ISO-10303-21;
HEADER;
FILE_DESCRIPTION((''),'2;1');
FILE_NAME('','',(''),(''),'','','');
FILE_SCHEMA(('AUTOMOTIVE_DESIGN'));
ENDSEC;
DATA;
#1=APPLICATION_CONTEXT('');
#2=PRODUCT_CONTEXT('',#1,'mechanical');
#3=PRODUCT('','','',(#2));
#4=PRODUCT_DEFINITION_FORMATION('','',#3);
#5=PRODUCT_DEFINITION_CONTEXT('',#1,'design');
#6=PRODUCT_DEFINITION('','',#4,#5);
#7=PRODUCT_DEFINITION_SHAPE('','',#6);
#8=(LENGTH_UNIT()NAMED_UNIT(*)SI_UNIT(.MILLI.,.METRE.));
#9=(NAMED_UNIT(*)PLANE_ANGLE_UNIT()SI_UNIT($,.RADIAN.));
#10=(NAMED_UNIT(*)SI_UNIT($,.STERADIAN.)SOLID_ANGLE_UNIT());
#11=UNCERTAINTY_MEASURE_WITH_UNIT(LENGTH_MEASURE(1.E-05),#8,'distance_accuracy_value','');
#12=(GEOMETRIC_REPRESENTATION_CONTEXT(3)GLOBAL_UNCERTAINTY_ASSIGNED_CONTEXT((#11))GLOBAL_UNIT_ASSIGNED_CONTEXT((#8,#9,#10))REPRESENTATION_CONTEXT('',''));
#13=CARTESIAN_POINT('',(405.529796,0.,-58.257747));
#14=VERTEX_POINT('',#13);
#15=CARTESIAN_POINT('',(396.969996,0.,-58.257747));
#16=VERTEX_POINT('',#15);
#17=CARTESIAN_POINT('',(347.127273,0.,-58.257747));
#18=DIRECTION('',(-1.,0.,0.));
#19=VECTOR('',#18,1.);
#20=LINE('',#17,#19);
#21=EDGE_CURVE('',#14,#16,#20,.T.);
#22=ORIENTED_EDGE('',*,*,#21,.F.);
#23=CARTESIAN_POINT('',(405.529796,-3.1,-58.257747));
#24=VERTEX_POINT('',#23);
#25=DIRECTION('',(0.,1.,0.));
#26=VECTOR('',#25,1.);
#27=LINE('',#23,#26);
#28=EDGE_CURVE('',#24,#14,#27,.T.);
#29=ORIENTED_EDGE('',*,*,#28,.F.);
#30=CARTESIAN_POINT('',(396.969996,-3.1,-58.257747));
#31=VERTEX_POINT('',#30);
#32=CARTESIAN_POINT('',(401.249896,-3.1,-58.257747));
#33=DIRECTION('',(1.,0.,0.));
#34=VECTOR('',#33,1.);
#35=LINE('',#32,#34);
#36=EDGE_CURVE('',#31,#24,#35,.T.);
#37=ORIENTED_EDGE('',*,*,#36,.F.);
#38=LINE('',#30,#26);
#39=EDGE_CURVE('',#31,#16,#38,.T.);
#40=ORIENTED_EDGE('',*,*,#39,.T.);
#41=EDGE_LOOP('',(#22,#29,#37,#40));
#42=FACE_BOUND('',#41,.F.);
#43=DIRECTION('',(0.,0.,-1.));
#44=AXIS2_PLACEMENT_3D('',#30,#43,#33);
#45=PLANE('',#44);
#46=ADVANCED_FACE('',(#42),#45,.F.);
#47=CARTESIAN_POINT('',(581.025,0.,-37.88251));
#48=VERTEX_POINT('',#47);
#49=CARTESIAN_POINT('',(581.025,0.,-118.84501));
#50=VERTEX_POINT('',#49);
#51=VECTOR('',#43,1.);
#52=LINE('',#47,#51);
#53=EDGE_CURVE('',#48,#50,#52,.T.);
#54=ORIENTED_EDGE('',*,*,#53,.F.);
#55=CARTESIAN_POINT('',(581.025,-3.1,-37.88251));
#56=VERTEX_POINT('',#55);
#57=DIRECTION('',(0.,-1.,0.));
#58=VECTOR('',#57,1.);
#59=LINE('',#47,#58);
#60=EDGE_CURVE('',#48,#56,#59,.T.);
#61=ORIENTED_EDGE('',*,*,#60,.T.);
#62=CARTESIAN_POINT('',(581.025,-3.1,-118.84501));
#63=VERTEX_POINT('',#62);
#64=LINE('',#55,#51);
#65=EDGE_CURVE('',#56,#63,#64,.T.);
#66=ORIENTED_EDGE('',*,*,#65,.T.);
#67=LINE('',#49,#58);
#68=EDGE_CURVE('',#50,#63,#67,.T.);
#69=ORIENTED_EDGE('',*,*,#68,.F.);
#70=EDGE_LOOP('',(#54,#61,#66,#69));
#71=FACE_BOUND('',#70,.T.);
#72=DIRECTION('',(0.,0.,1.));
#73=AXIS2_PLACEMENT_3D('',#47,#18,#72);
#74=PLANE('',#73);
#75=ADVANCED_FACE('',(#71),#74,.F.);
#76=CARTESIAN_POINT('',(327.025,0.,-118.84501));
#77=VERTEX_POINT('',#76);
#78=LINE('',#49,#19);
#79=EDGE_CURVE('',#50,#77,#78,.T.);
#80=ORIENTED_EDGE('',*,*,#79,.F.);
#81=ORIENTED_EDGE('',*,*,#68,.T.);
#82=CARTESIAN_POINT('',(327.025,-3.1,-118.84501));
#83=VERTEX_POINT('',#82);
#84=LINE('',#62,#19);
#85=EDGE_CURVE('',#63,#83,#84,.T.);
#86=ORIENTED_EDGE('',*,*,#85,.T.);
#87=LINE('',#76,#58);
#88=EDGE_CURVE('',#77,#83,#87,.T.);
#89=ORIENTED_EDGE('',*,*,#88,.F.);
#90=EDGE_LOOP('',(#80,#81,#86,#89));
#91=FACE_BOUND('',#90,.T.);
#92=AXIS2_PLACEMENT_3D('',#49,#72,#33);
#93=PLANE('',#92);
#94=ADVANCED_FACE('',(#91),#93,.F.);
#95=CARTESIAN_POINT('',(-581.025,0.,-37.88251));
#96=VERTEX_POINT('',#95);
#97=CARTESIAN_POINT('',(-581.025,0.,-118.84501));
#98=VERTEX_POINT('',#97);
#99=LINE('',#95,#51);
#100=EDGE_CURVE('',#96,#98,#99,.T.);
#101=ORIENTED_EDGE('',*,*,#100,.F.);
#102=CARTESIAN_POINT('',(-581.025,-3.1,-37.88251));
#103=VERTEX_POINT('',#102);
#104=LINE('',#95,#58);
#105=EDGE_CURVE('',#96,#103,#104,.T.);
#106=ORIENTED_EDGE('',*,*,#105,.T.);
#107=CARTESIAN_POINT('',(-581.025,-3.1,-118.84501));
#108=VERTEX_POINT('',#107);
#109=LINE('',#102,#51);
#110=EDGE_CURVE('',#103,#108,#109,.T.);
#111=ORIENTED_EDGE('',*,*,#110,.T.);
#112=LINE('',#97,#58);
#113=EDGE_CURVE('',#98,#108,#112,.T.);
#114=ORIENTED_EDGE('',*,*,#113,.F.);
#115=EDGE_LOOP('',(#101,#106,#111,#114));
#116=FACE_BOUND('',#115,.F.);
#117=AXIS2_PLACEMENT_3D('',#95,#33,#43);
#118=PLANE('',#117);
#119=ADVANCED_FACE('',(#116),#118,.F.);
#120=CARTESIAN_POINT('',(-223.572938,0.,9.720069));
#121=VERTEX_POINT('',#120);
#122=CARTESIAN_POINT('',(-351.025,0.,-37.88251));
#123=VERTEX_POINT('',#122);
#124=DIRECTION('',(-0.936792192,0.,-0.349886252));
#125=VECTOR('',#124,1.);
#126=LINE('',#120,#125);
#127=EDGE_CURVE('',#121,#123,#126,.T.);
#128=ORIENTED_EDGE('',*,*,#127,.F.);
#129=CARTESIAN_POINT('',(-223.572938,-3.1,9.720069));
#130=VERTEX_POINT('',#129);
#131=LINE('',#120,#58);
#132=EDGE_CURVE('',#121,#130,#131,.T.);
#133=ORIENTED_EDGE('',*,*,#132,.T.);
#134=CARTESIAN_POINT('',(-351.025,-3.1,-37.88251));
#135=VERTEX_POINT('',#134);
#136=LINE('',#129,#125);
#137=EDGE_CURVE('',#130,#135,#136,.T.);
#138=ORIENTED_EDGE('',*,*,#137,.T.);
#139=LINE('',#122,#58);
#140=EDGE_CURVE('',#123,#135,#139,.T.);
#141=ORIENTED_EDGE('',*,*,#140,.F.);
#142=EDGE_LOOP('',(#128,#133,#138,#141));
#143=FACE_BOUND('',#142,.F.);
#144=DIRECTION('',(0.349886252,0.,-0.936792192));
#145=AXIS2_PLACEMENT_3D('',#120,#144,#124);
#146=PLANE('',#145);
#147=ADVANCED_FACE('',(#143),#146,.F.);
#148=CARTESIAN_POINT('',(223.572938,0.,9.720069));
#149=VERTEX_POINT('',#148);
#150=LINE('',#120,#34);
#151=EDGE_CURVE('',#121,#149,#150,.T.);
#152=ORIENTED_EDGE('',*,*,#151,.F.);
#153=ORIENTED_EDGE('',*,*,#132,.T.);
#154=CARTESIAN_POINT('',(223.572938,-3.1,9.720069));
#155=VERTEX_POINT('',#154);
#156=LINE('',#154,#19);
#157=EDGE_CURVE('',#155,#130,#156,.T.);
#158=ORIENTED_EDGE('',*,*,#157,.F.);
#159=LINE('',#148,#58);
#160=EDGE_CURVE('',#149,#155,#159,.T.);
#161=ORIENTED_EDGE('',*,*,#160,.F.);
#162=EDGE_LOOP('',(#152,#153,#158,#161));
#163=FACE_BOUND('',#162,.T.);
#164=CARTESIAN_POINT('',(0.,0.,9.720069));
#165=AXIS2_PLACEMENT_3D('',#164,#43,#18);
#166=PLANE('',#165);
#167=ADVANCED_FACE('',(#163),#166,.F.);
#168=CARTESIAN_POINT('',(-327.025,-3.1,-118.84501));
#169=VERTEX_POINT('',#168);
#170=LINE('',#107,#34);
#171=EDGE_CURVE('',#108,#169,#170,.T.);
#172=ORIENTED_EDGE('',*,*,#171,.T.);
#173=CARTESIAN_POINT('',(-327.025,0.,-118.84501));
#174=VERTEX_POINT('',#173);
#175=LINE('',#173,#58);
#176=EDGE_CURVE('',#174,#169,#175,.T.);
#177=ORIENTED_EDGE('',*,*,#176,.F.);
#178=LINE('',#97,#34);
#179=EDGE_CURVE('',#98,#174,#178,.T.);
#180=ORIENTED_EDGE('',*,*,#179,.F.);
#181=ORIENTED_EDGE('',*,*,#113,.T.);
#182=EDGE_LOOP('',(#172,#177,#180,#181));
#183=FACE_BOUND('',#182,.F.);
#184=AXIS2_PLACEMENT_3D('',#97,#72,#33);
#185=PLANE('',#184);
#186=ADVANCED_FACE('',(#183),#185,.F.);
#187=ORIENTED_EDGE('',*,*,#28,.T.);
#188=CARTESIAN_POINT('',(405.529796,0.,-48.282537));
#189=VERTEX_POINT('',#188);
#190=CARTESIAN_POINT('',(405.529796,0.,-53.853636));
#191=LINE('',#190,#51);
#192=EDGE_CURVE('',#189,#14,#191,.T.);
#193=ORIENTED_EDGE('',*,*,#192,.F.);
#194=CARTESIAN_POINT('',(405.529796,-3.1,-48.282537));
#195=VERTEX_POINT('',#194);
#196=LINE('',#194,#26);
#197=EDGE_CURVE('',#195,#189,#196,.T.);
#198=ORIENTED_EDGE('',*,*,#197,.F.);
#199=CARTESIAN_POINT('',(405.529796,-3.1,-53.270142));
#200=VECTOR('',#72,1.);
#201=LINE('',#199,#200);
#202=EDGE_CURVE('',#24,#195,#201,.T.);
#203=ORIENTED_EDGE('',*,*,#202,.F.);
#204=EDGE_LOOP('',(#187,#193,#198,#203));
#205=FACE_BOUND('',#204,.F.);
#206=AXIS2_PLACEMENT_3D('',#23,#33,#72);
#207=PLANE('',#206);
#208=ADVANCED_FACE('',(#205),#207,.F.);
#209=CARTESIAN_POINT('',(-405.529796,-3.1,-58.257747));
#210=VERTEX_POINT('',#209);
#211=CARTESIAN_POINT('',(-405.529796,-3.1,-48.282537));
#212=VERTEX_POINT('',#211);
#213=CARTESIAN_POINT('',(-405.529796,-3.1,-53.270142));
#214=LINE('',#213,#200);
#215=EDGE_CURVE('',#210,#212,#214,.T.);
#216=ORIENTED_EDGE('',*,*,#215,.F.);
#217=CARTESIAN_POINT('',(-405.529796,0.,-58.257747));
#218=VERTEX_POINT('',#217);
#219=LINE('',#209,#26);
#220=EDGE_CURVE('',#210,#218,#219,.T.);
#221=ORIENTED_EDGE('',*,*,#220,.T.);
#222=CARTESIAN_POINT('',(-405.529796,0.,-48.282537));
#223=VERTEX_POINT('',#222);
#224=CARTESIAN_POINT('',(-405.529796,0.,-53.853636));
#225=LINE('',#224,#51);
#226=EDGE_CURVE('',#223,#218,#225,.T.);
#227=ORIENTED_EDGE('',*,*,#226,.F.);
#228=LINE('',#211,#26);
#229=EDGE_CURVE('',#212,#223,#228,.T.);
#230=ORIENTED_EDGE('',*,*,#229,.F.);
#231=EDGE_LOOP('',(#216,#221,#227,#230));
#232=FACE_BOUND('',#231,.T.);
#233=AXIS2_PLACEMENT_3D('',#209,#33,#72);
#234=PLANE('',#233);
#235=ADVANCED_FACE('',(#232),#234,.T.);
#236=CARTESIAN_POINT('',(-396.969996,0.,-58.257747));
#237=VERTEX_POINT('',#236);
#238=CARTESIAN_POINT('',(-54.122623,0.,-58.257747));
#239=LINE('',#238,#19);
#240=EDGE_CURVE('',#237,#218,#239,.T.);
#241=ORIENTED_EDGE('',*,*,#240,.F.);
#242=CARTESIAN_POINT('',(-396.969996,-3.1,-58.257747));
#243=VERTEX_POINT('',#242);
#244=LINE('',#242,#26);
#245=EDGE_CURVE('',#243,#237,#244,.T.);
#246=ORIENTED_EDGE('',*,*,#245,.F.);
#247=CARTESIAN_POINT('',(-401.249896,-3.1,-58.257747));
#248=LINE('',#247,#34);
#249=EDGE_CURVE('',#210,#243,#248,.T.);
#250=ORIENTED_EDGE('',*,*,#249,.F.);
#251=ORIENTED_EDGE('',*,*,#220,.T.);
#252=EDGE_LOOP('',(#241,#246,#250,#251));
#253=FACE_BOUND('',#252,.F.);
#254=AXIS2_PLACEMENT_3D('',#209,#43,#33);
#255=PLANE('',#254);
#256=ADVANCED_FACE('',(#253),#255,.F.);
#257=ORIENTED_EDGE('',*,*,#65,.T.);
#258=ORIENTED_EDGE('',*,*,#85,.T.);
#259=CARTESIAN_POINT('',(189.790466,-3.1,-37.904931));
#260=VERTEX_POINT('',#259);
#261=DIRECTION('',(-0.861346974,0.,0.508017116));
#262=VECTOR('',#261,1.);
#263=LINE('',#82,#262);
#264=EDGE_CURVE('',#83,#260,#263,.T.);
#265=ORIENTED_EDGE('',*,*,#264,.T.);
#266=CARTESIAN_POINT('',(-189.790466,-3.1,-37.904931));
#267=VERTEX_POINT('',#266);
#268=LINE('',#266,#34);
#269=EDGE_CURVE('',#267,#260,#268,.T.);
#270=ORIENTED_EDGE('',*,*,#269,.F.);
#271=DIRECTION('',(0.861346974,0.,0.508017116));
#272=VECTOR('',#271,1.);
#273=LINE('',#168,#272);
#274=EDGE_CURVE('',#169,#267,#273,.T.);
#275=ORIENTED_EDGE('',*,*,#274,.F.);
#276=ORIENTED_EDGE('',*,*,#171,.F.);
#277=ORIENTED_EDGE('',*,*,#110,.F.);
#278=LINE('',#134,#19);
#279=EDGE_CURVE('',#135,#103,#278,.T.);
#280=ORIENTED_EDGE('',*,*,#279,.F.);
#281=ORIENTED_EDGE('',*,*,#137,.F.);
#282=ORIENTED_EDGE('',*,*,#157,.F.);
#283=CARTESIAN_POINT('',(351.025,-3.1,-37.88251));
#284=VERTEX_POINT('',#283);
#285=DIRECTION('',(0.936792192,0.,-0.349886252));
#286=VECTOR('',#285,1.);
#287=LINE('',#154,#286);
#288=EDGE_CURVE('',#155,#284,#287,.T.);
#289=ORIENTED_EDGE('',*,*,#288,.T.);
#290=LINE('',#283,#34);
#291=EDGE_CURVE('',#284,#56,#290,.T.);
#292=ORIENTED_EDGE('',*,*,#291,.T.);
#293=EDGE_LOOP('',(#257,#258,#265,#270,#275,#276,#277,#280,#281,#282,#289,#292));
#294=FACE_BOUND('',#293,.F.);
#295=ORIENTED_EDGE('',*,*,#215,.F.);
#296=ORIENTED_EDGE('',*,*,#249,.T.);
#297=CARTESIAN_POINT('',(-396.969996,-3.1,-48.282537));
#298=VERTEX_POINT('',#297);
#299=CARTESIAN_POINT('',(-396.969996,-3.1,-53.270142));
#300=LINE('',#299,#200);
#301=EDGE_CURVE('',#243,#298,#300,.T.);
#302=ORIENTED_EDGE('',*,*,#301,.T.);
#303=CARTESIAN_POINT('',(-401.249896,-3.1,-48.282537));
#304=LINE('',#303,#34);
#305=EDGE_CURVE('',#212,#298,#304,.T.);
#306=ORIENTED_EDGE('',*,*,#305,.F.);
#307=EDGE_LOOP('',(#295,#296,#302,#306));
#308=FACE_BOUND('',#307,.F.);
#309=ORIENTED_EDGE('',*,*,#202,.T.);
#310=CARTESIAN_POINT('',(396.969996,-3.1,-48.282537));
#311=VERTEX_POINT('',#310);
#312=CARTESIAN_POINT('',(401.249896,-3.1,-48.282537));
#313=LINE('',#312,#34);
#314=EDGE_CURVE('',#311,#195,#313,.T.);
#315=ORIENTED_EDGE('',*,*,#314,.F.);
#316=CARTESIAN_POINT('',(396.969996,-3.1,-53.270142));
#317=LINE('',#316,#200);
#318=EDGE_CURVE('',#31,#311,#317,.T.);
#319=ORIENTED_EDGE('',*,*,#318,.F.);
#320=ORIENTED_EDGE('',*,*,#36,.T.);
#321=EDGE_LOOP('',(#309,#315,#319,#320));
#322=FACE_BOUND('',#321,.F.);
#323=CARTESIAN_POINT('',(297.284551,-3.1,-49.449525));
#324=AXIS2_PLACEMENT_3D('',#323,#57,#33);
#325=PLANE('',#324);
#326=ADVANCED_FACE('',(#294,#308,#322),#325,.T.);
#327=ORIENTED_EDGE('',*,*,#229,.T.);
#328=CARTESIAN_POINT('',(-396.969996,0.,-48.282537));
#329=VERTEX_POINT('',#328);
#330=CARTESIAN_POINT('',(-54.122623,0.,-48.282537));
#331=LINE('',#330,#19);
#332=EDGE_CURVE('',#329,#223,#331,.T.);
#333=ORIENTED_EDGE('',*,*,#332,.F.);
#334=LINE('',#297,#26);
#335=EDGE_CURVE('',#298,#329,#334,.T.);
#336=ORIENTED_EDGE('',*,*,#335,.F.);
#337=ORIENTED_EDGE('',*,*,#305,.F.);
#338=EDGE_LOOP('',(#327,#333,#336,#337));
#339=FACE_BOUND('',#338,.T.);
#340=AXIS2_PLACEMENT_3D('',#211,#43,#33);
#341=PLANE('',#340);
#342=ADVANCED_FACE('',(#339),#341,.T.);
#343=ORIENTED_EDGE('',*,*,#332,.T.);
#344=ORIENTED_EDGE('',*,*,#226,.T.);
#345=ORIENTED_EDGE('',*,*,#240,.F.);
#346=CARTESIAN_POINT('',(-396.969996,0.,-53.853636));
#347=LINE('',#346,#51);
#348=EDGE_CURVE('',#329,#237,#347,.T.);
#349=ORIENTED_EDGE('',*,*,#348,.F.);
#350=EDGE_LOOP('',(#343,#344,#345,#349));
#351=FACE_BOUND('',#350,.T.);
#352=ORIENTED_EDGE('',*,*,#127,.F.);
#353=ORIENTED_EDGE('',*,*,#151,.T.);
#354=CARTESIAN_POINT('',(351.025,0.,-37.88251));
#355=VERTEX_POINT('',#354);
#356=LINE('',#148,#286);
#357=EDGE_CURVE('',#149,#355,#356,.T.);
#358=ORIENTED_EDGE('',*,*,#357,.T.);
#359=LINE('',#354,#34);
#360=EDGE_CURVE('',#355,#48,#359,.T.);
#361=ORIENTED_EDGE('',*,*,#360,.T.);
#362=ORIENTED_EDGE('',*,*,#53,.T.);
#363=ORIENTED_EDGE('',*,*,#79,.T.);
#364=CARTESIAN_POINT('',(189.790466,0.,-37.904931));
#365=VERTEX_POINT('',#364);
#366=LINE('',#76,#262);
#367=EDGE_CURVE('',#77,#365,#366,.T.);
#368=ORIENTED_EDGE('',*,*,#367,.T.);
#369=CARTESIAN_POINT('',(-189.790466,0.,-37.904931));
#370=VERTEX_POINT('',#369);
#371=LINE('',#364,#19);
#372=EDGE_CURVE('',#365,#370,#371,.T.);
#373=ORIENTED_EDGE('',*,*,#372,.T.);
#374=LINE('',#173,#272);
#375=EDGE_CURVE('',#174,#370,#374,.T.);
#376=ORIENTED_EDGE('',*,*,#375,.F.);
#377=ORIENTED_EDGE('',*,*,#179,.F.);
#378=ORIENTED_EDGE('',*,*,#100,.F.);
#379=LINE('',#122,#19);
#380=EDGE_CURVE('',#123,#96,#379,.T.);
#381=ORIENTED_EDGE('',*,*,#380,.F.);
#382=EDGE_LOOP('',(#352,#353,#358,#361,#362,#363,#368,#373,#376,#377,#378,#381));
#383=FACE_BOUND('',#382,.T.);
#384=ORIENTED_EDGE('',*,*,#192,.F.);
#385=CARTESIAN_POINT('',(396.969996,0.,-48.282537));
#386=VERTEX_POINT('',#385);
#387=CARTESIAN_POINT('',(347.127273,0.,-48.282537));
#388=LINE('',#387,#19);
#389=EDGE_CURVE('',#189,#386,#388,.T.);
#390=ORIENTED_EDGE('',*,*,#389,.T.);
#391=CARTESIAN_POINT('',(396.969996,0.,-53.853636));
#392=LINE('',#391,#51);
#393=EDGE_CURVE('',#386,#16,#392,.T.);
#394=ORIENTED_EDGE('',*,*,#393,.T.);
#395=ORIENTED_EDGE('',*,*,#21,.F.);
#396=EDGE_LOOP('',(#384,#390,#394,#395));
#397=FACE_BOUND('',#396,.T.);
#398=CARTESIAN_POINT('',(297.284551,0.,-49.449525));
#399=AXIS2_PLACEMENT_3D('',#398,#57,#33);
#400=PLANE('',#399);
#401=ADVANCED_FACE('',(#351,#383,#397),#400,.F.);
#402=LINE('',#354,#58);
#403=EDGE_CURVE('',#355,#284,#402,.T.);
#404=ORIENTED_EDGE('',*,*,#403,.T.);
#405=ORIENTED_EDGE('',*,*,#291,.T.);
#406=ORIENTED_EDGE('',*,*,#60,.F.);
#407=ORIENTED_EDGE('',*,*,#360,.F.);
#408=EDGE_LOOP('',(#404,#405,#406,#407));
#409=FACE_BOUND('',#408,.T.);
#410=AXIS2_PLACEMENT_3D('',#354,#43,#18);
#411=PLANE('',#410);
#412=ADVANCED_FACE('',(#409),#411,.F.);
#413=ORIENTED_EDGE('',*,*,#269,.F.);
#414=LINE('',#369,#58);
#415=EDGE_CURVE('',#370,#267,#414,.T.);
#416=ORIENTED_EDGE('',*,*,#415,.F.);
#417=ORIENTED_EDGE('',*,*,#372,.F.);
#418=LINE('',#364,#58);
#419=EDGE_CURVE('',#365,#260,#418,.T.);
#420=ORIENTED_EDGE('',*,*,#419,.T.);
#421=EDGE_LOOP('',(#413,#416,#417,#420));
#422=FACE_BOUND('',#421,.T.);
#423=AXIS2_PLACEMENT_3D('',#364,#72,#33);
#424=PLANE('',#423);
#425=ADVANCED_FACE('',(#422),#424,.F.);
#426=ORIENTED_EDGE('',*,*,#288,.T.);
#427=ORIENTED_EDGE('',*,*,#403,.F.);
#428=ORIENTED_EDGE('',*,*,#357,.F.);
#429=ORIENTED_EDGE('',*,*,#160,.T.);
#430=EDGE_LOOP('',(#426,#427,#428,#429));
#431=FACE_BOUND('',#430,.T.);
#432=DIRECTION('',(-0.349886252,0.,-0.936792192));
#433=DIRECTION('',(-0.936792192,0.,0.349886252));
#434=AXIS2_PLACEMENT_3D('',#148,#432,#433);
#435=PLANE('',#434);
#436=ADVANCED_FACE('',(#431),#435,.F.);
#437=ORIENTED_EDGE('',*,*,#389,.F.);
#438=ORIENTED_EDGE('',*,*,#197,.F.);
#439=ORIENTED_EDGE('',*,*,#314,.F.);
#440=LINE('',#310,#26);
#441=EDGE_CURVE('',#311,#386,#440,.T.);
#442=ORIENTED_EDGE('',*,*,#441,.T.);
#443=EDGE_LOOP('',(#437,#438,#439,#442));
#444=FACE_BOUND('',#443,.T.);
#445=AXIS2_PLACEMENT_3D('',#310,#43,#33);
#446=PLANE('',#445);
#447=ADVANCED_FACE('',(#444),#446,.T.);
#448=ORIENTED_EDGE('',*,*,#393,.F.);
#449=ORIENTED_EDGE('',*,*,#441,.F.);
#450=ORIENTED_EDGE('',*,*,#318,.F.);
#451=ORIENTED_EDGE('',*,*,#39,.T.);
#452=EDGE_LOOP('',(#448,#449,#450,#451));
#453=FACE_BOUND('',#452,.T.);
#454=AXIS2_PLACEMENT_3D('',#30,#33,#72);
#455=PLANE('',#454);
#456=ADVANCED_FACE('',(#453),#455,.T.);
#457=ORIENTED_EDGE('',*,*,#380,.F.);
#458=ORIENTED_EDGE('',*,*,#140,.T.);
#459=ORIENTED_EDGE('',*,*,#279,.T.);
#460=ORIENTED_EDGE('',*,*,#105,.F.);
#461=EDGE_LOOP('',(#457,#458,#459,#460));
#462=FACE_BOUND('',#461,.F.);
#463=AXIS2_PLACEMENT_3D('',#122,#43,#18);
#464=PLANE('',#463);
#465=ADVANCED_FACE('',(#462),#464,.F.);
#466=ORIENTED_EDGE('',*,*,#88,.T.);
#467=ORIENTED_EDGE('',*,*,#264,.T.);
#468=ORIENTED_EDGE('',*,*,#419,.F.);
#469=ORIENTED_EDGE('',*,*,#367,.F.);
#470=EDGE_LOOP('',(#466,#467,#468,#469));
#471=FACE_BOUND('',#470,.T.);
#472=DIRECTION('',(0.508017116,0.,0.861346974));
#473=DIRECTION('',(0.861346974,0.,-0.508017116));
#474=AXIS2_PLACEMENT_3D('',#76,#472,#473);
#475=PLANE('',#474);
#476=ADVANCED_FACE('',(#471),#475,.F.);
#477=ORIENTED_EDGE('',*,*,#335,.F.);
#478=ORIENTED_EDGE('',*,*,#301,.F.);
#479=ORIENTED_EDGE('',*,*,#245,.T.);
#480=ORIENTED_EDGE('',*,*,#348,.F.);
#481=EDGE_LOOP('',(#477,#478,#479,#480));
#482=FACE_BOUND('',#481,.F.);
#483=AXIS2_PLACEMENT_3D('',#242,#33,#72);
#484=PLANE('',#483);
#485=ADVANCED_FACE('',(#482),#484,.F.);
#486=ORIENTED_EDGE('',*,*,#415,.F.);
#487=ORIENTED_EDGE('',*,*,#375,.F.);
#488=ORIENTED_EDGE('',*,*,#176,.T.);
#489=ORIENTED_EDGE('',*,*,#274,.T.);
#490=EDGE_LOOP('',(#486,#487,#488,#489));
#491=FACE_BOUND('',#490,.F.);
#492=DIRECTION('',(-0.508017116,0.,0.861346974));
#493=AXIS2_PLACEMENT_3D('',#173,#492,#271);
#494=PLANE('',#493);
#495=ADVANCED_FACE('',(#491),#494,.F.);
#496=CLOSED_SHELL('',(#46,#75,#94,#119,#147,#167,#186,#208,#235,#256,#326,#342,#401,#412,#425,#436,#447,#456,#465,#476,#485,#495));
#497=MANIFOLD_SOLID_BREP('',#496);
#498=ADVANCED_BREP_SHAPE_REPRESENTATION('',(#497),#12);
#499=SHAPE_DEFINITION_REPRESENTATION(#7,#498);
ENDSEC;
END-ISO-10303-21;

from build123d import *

# Parameters (mm, degrees)
F1_DEPTH = 3.1
F3_W     = 8.5598
F3_H     = 9.975209
F4_DEPTH = 25.4


with BuildPart() as f1:
    # F0 (on Front) → F1 (new body)
    with BuildSketch(Plane.XZ):
        Polygon((-351.025, -37.88251), (-581.025, -37.88251), (-581.025, -118.84501), (-327.025, -118.84501), (-189.790466, -37.904931), (0, -37.904931), (0, 9.720069), (-223.572938, 9.720069), align=None)
    extrude(amount=F1_DEPTH)

    # F2: F1 across plane


with BuildPart() as f1_1:
    add(f1.part)
    add(f1.part.mirror(Plane.YZ))

    # F3 (on face) → F4 (cut)
    with BuildSketch(Plane.XZ.offset(3.1)):
        with Locations((401.249896, -53.270142)):
            Rectangle(F3_W, F3_H)
        with Locations((-401.249896, -53.270142)):
            Rectangle(F3_W, F3_H)
    extrude(amount=-F4_DEPTH, mode=Mode.SUBTRACT)


solid = f1_1.part
